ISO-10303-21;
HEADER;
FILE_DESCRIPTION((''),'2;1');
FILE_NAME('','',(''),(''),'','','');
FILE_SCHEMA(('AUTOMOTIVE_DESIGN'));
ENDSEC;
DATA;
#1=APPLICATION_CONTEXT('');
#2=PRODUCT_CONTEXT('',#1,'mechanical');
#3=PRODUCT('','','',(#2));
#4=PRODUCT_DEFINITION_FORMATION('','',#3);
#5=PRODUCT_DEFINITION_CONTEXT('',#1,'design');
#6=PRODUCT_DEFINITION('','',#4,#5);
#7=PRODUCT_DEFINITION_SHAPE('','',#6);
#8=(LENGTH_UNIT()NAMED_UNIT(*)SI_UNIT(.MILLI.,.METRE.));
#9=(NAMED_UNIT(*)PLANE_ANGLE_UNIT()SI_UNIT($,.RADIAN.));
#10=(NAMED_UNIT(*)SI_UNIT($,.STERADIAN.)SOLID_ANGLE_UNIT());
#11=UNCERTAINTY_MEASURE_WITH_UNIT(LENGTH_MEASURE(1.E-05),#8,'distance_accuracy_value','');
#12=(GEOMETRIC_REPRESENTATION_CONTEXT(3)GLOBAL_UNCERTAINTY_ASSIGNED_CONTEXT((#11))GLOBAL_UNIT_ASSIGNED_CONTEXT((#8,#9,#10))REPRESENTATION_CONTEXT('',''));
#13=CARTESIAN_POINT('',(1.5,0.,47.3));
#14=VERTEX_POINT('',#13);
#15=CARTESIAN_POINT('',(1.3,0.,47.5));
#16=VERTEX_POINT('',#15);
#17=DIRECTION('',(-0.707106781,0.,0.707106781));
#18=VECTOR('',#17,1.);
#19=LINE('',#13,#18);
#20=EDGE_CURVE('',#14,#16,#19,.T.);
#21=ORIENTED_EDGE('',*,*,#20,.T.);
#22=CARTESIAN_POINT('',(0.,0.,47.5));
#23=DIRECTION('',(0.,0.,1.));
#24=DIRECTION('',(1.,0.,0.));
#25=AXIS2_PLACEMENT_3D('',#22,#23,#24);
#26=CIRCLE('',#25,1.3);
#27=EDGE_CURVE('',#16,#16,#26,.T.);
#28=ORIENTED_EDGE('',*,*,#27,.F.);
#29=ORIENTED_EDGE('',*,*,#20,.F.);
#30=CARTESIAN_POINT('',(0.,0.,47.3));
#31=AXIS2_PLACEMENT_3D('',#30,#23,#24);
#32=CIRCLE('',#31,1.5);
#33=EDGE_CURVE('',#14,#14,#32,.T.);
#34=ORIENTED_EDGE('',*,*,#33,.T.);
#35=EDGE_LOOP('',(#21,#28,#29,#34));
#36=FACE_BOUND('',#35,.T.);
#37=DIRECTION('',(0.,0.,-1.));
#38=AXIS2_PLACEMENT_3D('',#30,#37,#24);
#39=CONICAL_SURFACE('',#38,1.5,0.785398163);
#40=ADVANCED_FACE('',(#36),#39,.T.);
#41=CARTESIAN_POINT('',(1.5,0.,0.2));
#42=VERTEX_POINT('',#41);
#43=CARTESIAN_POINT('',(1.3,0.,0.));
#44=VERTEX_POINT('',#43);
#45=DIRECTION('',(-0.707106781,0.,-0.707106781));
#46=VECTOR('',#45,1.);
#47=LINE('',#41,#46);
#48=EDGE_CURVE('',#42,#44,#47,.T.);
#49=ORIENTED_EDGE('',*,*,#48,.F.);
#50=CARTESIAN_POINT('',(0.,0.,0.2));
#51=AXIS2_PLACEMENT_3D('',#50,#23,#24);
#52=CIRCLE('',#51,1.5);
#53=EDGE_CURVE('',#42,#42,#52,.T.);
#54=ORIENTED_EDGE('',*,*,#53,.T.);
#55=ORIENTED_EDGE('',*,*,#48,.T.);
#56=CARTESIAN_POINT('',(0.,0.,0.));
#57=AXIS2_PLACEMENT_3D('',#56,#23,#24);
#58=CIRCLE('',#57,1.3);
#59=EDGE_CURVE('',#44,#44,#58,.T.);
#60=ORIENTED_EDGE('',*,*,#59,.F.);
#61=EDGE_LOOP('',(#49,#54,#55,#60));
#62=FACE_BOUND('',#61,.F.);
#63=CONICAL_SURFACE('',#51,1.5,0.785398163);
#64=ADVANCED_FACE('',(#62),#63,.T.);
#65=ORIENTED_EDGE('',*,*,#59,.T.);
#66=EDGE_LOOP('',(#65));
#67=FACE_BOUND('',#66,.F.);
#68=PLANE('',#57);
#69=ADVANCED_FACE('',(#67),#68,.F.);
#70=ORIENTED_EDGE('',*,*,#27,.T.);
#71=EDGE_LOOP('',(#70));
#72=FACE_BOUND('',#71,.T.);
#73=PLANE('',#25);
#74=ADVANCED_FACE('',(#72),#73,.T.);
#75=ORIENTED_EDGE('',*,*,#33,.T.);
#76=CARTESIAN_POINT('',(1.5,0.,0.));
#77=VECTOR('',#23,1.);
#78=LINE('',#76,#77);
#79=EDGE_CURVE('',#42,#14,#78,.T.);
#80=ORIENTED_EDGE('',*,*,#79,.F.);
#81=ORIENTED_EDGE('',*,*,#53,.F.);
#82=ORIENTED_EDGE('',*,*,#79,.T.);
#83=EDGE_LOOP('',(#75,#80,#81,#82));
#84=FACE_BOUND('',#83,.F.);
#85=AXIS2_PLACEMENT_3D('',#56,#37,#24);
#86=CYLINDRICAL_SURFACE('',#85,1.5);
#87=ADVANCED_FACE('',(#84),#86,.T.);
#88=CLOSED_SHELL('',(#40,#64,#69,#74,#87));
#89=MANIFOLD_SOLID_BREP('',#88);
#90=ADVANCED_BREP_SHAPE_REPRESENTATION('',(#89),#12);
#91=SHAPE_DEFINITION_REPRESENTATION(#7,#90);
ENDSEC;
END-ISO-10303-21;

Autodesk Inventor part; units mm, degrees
ref_plane "YZ Plane" through (0, 0, 0) normal (1, 0, 0) x (0, 1, 0)
ref_plane "XZ Plane" through (0, 0, 0) normal (0, 1, 0) x (-1, 0, 0)
ref_plane "XY Plane" through (0, 0, 0) normal (0, 0, 1) x (1, 0, 0)
sketch "Sketch1" plane through (0, 0, 0) normal (0, 0, 1) x (1, 0, 0)
  circle A0 centre (0, 0) radius 1.5
  dimension "d0" = 3
extrude "Extrusion1" add sketch "Sketch1" along normal blind 47.5
chamfer "Chamfer1" distance 0.2 angle 45 2 edges at (-1.5, 0, 47.5) (-1.5, 0, 0)
properties part number "Fuehrungsschienen_Tension" material "Aluminum 6061-AHC"
